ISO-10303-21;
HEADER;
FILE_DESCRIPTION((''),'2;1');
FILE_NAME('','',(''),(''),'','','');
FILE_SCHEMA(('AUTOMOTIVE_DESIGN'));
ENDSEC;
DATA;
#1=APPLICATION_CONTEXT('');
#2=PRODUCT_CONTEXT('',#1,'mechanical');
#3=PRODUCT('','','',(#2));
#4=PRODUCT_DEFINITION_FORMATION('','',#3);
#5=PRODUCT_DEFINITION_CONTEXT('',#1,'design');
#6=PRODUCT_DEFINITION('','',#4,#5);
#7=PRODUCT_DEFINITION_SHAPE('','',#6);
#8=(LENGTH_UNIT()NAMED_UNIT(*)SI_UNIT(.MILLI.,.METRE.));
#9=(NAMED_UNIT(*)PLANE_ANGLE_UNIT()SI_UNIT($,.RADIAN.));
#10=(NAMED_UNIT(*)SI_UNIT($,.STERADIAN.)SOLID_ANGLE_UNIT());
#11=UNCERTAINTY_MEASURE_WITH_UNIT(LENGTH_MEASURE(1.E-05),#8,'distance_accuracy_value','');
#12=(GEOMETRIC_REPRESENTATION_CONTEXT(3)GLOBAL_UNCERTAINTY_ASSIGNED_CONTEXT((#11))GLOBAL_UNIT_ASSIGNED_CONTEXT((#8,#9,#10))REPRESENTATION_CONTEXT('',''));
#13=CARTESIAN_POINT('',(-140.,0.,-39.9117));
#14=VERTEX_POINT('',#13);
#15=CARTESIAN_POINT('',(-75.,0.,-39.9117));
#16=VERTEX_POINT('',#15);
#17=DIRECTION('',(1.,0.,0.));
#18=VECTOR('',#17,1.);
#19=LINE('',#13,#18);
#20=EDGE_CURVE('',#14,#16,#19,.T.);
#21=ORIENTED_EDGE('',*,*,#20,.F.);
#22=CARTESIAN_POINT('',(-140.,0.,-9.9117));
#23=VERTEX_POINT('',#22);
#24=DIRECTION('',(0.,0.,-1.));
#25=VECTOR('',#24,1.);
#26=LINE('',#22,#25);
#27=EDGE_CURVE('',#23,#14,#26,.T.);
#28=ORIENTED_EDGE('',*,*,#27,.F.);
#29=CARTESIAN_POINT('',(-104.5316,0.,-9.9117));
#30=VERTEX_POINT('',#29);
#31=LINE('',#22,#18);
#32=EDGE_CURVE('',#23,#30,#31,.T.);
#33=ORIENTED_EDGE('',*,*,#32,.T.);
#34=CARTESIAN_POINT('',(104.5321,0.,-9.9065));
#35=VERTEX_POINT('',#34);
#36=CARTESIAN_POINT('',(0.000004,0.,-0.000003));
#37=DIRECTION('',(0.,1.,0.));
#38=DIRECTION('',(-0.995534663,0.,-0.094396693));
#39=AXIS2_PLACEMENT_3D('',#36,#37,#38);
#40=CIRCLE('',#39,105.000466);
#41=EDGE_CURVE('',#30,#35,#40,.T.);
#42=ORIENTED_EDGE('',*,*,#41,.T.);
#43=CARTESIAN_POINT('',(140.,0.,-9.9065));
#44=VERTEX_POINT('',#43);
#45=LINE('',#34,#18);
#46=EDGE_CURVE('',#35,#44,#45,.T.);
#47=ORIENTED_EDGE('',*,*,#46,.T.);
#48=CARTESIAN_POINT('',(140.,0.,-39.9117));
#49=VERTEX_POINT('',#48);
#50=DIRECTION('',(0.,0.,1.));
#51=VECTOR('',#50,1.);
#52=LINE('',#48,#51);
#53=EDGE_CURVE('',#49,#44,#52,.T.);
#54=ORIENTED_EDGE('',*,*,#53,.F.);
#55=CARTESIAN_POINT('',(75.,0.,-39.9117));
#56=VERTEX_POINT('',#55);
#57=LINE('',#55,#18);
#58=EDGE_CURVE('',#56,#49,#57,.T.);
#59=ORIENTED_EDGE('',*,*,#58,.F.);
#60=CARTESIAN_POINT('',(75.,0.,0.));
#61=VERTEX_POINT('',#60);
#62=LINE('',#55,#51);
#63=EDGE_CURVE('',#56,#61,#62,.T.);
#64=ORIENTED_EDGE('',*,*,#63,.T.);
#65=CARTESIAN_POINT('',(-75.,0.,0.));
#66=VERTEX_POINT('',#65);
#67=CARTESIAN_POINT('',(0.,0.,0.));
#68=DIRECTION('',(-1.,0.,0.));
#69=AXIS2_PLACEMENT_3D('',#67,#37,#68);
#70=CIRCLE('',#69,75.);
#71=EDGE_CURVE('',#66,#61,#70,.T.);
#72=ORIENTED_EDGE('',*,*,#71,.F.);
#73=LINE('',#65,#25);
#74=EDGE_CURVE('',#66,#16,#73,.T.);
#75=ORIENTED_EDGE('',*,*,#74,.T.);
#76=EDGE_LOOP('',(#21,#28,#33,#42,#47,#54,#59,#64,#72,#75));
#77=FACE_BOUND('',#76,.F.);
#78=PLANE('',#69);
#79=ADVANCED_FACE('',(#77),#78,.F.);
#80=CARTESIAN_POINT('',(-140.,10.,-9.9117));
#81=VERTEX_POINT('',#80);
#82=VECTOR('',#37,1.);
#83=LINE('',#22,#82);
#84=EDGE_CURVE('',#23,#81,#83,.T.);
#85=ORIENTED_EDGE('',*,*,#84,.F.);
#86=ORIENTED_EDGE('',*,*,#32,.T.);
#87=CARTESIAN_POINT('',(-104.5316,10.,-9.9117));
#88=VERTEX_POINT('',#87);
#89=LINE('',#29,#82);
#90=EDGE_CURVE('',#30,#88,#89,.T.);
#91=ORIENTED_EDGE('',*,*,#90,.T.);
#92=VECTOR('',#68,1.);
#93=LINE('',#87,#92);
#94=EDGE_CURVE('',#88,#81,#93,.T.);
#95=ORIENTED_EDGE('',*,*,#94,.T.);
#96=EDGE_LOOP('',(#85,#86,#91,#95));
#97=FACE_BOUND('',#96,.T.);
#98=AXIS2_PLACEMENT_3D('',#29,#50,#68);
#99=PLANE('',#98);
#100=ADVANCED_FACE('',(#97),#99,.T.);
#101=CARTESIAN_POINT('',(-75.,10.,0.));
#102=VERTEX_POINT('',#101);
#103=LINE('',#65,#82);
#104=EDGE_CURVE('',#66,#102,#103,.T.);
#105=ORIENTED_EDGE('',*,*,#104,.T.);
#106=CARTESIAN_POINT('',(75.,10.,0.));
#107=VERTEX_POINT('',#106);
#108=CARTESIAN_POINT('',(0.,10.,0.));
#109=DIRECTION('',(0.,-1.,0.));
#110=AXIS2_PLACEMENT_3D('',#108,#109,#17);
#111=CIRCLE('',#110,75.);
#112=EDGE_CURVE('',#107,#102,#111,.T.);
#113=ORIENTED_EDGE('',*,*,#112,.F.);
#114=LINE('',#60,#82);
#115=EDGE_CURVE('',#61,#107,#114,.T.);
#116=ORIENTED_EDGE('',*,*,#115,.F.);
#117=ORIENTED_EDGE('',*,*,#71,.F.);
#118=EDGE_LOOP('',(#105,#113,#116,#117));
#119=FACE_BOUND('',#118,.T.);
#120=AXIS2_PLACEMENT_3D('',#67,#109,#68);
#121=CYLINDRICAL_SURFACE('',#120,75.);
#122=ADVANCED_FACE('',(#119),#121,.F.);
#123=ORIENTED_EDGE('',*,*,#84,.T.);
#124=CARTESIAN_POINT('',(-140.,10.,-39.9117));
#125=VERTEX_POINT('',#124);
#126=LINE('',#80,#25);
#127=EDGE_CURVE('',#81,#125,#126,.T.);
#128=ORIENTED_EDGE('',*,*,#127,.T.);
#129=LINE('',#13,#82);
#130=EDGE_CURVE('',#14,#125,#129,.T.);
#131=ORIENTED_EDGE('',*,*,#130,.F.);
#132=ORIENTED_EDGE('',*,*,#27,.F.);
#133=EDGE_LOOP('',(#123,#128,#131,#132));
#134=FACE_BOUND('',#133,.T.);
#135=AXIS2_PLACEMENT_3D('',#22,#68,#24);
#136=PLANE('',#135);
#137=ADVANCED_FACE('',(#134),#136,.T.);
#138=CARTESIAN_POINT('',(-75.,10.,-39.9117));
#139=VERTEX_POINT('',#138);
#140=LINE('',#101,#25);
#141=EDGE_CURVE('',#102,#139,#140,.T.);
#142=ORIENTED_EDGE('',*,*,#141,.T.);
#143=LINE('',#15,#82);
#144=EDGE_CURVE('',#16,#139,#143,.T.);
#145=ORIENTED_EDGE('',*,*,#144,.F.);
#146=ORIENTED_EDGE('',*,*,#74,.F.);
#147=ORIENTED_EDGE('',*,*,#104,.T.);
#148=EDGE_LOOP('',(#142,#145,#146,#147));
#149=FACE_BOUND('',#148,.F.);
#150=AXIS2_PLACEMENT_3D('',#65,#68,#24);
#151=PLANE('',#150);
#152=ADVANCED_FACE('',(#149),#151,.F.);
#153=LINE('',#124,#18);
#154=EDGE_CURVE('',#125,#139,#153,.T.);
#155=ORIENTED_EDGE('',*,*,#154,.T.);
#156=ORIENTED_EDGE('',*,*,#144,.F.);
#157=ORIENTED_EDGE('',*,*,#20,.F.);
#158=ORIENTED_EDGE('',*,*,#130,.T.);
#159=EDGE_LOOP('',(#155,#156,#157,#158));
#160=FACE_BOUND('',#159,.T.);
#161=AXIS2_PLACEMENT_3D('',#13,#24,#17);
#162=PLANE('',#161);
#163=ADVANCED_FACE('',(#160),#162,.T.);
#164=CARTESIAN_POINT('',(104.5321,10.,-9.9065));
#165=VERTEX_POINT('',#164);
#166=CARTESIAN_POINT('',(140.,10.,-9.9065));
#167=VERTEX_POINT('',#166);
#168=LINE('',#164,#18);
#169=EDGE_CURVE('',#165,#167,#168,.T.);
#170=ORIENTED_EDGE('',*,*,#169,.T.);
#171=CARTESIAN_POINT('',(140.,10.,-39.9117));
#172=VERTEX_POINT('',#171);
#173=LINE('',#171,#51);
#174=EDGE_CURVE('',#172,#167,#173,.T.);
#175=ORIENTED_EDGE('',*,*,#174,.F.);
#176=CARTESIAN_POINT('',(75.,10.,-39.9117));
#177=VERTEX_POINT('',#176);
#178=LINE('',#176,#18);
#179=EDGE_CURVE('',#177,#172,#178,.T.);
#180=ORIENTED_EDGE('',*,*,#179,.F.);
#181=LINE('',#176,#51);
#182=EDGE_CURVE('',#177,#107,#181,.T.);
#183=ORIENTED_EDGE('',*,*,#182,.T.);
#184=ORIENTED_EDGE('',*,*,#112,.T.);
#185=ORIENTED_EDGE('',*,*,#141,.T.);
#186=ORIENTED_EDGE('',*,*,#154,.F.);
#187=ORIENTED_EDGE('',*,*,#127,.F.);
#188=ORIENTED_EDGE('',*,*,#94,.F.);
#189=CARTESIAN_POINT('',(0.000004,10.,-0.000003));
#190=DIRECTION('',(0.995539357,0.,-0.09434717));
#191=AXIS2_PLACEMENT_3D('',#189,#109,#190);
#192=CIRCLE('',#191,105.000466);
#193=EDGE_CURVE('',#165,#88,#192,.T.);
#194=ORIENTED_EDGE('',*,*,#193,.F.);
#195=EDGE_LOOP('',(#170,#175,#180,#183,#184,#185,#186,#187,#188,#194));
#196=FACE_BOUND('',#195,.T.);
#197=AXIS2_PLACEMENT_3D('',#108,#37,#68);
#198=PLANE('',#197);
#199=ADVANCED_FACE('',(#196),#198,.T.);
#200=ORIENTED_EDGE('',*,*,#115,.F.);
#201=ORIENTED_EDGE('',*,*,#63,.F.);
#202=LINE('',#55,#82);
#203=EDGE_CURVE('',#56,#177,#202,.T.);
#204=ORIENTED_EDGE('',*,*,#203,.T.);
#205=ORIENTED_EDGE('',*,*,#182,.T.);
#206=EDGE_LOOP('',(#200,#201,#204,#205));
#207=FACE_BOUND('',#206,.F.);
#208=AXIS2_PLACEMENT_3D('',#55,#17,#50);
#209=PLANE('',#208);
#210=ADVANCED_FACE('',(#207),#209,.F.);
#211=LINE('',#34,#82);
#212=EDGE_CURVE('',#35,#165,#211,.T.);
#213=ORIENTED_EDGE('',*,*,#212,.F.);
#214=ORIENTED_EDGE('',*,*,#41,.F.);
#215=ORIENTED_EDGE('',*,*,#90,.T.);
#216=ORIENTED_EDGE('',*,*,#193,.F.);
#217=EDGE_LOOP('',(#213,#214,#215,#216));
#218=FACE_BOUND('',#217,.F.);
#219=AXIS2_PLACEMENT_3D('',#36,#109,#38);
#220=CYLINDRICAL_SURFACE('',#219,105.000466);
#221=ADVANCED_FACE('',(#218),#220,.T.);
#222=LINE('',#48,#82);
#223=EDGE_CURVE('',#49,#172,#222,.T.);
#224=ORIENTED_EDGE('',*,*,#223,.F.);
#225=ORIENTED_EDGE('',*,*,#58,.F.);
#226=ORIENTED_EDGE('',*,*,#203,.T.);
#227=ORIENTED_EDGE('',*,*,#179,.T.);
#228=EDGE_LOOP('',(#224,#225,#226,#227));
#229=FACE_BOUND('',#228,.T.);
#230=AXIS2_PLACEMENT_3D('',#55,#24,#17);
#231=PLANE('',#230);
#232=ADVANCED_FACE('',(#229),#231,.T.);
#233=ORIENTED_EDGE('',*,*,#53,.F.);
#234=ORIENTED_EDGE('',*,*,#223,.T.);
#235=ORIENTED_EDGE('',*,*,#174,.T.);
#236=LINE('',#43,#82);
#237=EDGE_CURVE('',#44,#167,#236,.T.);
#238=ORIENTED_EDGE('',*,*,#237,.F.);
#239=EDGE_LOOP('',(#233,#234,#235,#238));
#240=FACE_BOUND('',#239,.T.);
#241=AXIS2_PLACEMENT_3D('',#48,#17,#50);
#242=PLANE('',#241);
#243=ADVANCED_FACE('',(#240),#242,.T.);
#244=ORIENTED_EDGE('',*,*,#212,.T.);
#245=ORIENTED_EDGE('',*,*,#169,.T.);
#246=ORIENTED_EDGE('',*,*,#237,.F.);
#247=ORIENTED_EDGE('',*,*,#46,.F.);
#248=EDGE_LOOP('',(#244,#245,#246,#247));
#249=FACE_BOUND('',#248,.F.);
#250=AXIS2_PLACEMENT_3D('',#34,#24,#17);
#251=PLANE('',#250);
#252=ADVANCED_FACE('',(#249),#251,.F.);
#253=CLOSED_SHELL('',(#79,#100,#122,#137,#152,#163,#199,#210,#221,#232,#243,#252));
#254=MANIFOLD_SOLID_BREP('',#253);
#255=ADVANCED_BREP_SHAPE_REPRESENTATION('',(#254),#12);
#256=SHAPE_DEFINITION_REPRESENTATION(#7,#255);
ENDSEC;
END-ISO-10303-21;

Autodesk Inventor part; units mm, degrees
ref_plane "YZ Plane" through (0, 0, 0) normal (1, 0, 0) x (0, 1, 0)
ref_plane "XZ Plane" through (0, 0, 0) normal (0, 1, 0) x (-1, 0, 0)
ref_plane "XY Plane" through (0, 0, 0) normal (0, 0, 1) x (1, 0, 0)
sketch "Sketch1" plane through (0, 0, 0) normal (0, 1, 0) x (-1, 0, 0)
  arc A0 (104.5316, -9.9117) -> (-104.5321, -9.9065) centre (0, 0) ccw
  line L0 (104.5316, -9.9117) -> (140, -9.9117)
  line L1 (140, -9.9117) -> (140, -39.9117)
  line L2 (-140, -39.9117) -> (-140, -9.9065)
  line L3 (0, -68.8947) -> (0, 133.9861) projected
  line L4 (135.3627, -9.9117) -> (104.5316, -9.9117)
  line L5 (-104.5321, -9.9065) -> (-140, -9.9065)
  line L6 (74.3541, -9.8216) -> (74.3541, -9.9117)
  line L7 (74.3541, -9.8216) -> (74.3541, -9.9117)
  line L8 (140, -39.9117) -> (75, -39.9117)
  line L9 (-75, -39.9117) -> (-140, -39.9117)
  line L10 (-196, 0) -> (196, 0) projected
  arc A1 (74.3429, -9.9065) -> (74.3541, -9.8216) centre (0, 0) ccw
  arc A2 (75, 0) -> (-75, 0) centre (0, 0) ccw
  line L11 (75, 0) -> (75, -39.9117)
  line L12 (-75, -39.9117) -> (-75, 0)
  dimension "d3" = 30
  dimension "d4" = 280
  dimension "d5" = 140
extrude "Extrusion2" add sketch "Sketch1" along normal blind 10 contours L0 L1 L8 L11 L10 A0 | L10 A2 L3 A0 | L3 A2 L10 A0 | L10 L12 L9 L2 L5 A0
properties part number "holder"
